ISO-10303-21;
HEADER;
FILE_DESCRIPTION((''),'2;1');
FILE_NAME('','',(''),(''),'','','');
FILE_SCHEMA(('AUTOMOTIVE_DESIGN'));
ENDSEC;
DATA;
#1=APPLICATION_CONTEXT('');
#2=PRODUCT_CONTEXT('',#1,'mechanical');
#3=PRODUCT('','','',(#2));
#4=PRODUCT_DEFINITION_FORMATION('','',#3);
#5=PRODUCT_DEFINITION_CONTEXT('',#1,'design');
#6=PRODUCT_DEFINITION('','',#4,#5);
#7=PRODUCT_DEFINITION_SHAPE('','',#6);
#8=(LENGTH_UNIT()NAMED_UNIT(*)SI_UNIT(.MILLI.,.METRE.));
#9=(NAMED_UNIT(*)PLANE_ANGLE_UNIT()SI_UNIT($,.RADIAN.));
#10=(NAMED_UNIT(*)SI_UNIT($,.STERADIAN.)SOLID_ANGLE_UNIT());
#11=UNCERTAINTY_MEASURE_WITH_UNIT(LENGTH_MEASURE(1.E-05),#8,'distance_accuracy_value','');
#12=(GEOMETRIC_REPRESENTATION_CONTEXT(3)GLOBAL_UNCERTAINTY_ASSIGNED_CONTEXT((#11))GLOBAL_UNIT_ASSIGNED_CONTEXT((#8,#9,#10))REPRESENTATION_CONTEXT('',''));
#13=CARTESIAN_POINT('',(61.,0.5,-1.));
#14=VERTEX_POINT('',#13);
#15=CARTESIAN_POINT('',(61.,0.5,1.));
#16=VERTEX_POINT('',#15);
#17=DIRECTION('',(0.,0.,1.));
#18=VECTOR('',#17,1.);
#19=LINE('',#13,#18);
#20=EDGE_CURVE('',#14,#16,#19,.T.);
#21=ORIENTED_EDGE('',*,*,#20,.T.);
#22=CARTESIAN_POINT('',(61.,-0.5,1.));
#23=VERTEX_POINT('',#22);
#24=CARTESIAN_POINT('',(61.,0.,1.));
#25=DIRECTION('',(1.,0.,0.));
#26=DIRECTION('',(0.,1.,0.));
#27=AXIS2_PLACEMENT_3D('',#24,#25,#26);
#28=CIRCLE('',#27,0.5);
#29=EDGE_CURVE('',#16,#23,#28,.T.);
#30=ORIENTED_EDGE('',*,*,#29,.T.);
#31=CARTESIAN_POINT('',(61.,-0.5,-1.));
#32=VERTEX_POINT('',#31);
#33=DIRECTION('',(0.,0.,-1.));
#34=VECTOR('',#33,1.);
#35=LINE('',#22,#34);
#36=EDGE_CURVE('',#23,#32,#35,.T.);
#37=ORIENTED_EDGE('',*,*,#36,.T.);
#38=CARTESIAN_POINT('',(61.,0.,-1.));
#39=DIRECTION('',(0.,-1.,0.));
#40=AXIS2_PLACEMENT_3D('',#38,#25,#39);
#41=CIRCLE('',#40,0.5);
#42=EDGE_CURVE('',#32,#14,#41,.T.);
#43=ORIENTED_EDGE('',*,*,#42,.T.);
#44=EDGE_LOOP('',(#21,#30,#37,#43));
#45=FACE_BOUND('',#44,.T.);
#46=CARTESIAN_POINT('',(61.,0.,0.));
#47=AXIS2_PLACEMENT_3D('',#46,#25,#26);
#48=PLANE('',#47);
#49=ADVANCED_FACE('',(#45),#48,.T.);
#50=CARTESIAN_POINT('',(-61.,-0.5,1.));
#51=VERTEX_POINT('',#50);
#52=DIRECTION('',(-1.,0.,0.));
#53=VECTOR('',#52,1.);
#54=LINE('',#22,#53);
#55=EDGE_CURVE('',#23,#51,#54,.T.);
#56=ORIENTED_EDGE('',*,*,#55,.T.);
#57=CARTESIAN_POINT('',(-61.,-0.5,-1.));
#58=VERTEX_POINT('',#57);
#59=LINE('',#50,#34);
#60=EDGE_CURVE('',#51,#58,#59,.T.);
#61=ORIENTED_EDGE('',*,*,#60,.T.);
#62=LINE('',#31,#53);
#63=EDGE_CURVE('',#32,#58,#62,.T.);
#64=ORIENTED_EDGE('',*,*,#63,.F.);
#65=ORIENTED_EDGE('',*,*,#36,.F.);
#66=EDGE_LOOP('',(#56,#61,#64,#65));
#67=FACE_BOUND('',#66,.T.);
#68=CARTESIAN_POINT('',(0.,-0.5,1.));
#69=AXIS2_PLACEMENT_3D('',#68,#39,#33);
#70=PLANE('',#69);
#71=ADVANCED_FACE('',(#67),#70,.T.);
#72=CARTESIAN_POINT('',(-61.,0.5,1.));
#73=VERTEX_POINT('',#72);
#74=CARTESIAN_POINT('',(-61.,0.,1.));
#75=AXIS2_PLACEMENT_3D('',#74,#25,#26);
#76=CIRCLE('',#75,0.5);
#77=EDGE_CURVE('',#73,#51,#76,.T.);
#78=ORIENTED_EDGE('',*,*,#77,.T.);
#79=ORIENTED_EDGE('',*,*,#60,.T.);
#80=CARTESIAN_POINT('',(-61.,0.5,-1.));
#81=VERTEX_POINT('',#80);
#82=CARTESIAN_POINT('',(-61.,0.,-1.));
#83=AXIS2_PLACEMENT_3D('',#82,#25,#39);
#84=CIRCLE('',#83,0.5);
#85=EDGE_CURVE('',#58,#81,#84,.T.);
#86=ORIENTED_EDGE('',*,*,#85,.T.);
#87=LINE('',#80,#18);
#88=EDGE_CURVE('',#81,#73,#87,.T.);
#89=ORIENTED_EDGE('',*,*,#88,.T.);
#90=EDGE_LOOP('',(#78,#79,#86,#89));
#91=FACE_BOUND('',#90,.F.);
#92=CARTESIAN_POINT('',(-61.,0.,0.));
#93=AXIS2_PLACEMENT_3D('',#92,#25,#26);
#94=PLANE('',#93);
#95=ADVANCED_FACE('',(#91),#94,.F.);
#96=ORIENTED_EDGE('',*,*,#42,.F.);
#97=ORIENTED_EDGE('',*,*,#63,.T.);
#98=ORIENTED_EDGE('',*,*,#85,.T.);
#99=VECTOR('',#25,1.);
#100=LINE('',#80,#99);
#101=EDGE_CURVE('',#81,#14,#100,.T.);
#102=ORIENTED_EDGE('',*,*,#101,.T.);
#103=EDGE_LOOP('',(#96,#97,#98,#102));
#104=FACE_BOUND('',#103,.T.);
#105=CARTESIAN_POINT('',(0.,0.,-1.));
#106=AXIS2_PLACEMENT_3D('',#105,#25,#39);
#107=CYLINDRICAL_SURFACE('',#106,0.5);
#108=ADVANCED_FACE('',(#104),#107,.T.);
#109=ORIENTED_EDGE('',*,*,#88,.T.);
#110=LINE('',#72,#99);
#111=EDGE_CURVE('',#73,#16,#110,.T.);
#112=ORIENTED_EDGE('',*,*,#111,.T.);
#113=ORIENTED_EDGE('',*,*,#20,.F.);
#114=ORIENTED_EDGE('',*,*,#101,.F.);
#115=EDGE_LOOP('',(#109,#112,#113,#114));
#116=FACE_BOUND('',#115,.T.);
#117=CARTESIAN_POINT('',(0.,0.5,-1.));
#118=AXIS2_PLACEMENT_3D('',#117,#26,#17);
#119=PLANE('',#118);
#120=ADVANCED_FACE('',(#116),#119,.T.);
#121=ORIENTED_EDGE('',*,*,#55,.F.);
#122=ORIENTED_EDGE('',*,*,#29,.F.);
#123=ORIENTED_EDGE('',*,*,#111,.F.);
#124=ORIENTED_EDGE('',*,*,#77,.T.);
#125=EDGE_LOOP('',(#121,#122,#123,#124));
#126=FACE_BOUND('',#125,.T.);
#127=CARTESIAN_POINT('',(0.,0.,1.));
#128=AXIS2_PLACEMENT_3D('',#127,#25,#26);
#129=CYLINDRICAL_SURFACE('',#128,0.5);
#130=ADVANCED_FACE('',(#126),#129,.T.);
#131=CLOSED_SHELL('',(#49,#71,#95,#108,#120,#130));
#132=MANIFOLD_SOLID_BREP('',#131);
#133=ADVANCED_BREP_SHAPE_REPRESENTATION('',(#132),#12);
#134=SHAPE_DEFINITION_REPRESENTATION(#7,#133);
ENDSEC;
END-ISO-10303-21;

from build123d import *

# Parameters (mm, degrees)
F1_DEPTH = 61


with BuildPart() as f1:
    # F0 (on Right) → F1 (new body, symmetric)
    with BuildSketch(Plane.YZ):
        with BuildLine():
            ThreePointArc((-0.5, -1), (0, -1.5), (0.5, -1))
            Line((0.5, -1), (0.5, 1))
            ThreePointArc((0.5, 1), (0, 1.5), (-0.5, 1))
            Line((-0.5, 1), (-0.5, -1))
        make_face()
    extrude(amount=F1_DEPTH, both=True)


solid = f1.part
